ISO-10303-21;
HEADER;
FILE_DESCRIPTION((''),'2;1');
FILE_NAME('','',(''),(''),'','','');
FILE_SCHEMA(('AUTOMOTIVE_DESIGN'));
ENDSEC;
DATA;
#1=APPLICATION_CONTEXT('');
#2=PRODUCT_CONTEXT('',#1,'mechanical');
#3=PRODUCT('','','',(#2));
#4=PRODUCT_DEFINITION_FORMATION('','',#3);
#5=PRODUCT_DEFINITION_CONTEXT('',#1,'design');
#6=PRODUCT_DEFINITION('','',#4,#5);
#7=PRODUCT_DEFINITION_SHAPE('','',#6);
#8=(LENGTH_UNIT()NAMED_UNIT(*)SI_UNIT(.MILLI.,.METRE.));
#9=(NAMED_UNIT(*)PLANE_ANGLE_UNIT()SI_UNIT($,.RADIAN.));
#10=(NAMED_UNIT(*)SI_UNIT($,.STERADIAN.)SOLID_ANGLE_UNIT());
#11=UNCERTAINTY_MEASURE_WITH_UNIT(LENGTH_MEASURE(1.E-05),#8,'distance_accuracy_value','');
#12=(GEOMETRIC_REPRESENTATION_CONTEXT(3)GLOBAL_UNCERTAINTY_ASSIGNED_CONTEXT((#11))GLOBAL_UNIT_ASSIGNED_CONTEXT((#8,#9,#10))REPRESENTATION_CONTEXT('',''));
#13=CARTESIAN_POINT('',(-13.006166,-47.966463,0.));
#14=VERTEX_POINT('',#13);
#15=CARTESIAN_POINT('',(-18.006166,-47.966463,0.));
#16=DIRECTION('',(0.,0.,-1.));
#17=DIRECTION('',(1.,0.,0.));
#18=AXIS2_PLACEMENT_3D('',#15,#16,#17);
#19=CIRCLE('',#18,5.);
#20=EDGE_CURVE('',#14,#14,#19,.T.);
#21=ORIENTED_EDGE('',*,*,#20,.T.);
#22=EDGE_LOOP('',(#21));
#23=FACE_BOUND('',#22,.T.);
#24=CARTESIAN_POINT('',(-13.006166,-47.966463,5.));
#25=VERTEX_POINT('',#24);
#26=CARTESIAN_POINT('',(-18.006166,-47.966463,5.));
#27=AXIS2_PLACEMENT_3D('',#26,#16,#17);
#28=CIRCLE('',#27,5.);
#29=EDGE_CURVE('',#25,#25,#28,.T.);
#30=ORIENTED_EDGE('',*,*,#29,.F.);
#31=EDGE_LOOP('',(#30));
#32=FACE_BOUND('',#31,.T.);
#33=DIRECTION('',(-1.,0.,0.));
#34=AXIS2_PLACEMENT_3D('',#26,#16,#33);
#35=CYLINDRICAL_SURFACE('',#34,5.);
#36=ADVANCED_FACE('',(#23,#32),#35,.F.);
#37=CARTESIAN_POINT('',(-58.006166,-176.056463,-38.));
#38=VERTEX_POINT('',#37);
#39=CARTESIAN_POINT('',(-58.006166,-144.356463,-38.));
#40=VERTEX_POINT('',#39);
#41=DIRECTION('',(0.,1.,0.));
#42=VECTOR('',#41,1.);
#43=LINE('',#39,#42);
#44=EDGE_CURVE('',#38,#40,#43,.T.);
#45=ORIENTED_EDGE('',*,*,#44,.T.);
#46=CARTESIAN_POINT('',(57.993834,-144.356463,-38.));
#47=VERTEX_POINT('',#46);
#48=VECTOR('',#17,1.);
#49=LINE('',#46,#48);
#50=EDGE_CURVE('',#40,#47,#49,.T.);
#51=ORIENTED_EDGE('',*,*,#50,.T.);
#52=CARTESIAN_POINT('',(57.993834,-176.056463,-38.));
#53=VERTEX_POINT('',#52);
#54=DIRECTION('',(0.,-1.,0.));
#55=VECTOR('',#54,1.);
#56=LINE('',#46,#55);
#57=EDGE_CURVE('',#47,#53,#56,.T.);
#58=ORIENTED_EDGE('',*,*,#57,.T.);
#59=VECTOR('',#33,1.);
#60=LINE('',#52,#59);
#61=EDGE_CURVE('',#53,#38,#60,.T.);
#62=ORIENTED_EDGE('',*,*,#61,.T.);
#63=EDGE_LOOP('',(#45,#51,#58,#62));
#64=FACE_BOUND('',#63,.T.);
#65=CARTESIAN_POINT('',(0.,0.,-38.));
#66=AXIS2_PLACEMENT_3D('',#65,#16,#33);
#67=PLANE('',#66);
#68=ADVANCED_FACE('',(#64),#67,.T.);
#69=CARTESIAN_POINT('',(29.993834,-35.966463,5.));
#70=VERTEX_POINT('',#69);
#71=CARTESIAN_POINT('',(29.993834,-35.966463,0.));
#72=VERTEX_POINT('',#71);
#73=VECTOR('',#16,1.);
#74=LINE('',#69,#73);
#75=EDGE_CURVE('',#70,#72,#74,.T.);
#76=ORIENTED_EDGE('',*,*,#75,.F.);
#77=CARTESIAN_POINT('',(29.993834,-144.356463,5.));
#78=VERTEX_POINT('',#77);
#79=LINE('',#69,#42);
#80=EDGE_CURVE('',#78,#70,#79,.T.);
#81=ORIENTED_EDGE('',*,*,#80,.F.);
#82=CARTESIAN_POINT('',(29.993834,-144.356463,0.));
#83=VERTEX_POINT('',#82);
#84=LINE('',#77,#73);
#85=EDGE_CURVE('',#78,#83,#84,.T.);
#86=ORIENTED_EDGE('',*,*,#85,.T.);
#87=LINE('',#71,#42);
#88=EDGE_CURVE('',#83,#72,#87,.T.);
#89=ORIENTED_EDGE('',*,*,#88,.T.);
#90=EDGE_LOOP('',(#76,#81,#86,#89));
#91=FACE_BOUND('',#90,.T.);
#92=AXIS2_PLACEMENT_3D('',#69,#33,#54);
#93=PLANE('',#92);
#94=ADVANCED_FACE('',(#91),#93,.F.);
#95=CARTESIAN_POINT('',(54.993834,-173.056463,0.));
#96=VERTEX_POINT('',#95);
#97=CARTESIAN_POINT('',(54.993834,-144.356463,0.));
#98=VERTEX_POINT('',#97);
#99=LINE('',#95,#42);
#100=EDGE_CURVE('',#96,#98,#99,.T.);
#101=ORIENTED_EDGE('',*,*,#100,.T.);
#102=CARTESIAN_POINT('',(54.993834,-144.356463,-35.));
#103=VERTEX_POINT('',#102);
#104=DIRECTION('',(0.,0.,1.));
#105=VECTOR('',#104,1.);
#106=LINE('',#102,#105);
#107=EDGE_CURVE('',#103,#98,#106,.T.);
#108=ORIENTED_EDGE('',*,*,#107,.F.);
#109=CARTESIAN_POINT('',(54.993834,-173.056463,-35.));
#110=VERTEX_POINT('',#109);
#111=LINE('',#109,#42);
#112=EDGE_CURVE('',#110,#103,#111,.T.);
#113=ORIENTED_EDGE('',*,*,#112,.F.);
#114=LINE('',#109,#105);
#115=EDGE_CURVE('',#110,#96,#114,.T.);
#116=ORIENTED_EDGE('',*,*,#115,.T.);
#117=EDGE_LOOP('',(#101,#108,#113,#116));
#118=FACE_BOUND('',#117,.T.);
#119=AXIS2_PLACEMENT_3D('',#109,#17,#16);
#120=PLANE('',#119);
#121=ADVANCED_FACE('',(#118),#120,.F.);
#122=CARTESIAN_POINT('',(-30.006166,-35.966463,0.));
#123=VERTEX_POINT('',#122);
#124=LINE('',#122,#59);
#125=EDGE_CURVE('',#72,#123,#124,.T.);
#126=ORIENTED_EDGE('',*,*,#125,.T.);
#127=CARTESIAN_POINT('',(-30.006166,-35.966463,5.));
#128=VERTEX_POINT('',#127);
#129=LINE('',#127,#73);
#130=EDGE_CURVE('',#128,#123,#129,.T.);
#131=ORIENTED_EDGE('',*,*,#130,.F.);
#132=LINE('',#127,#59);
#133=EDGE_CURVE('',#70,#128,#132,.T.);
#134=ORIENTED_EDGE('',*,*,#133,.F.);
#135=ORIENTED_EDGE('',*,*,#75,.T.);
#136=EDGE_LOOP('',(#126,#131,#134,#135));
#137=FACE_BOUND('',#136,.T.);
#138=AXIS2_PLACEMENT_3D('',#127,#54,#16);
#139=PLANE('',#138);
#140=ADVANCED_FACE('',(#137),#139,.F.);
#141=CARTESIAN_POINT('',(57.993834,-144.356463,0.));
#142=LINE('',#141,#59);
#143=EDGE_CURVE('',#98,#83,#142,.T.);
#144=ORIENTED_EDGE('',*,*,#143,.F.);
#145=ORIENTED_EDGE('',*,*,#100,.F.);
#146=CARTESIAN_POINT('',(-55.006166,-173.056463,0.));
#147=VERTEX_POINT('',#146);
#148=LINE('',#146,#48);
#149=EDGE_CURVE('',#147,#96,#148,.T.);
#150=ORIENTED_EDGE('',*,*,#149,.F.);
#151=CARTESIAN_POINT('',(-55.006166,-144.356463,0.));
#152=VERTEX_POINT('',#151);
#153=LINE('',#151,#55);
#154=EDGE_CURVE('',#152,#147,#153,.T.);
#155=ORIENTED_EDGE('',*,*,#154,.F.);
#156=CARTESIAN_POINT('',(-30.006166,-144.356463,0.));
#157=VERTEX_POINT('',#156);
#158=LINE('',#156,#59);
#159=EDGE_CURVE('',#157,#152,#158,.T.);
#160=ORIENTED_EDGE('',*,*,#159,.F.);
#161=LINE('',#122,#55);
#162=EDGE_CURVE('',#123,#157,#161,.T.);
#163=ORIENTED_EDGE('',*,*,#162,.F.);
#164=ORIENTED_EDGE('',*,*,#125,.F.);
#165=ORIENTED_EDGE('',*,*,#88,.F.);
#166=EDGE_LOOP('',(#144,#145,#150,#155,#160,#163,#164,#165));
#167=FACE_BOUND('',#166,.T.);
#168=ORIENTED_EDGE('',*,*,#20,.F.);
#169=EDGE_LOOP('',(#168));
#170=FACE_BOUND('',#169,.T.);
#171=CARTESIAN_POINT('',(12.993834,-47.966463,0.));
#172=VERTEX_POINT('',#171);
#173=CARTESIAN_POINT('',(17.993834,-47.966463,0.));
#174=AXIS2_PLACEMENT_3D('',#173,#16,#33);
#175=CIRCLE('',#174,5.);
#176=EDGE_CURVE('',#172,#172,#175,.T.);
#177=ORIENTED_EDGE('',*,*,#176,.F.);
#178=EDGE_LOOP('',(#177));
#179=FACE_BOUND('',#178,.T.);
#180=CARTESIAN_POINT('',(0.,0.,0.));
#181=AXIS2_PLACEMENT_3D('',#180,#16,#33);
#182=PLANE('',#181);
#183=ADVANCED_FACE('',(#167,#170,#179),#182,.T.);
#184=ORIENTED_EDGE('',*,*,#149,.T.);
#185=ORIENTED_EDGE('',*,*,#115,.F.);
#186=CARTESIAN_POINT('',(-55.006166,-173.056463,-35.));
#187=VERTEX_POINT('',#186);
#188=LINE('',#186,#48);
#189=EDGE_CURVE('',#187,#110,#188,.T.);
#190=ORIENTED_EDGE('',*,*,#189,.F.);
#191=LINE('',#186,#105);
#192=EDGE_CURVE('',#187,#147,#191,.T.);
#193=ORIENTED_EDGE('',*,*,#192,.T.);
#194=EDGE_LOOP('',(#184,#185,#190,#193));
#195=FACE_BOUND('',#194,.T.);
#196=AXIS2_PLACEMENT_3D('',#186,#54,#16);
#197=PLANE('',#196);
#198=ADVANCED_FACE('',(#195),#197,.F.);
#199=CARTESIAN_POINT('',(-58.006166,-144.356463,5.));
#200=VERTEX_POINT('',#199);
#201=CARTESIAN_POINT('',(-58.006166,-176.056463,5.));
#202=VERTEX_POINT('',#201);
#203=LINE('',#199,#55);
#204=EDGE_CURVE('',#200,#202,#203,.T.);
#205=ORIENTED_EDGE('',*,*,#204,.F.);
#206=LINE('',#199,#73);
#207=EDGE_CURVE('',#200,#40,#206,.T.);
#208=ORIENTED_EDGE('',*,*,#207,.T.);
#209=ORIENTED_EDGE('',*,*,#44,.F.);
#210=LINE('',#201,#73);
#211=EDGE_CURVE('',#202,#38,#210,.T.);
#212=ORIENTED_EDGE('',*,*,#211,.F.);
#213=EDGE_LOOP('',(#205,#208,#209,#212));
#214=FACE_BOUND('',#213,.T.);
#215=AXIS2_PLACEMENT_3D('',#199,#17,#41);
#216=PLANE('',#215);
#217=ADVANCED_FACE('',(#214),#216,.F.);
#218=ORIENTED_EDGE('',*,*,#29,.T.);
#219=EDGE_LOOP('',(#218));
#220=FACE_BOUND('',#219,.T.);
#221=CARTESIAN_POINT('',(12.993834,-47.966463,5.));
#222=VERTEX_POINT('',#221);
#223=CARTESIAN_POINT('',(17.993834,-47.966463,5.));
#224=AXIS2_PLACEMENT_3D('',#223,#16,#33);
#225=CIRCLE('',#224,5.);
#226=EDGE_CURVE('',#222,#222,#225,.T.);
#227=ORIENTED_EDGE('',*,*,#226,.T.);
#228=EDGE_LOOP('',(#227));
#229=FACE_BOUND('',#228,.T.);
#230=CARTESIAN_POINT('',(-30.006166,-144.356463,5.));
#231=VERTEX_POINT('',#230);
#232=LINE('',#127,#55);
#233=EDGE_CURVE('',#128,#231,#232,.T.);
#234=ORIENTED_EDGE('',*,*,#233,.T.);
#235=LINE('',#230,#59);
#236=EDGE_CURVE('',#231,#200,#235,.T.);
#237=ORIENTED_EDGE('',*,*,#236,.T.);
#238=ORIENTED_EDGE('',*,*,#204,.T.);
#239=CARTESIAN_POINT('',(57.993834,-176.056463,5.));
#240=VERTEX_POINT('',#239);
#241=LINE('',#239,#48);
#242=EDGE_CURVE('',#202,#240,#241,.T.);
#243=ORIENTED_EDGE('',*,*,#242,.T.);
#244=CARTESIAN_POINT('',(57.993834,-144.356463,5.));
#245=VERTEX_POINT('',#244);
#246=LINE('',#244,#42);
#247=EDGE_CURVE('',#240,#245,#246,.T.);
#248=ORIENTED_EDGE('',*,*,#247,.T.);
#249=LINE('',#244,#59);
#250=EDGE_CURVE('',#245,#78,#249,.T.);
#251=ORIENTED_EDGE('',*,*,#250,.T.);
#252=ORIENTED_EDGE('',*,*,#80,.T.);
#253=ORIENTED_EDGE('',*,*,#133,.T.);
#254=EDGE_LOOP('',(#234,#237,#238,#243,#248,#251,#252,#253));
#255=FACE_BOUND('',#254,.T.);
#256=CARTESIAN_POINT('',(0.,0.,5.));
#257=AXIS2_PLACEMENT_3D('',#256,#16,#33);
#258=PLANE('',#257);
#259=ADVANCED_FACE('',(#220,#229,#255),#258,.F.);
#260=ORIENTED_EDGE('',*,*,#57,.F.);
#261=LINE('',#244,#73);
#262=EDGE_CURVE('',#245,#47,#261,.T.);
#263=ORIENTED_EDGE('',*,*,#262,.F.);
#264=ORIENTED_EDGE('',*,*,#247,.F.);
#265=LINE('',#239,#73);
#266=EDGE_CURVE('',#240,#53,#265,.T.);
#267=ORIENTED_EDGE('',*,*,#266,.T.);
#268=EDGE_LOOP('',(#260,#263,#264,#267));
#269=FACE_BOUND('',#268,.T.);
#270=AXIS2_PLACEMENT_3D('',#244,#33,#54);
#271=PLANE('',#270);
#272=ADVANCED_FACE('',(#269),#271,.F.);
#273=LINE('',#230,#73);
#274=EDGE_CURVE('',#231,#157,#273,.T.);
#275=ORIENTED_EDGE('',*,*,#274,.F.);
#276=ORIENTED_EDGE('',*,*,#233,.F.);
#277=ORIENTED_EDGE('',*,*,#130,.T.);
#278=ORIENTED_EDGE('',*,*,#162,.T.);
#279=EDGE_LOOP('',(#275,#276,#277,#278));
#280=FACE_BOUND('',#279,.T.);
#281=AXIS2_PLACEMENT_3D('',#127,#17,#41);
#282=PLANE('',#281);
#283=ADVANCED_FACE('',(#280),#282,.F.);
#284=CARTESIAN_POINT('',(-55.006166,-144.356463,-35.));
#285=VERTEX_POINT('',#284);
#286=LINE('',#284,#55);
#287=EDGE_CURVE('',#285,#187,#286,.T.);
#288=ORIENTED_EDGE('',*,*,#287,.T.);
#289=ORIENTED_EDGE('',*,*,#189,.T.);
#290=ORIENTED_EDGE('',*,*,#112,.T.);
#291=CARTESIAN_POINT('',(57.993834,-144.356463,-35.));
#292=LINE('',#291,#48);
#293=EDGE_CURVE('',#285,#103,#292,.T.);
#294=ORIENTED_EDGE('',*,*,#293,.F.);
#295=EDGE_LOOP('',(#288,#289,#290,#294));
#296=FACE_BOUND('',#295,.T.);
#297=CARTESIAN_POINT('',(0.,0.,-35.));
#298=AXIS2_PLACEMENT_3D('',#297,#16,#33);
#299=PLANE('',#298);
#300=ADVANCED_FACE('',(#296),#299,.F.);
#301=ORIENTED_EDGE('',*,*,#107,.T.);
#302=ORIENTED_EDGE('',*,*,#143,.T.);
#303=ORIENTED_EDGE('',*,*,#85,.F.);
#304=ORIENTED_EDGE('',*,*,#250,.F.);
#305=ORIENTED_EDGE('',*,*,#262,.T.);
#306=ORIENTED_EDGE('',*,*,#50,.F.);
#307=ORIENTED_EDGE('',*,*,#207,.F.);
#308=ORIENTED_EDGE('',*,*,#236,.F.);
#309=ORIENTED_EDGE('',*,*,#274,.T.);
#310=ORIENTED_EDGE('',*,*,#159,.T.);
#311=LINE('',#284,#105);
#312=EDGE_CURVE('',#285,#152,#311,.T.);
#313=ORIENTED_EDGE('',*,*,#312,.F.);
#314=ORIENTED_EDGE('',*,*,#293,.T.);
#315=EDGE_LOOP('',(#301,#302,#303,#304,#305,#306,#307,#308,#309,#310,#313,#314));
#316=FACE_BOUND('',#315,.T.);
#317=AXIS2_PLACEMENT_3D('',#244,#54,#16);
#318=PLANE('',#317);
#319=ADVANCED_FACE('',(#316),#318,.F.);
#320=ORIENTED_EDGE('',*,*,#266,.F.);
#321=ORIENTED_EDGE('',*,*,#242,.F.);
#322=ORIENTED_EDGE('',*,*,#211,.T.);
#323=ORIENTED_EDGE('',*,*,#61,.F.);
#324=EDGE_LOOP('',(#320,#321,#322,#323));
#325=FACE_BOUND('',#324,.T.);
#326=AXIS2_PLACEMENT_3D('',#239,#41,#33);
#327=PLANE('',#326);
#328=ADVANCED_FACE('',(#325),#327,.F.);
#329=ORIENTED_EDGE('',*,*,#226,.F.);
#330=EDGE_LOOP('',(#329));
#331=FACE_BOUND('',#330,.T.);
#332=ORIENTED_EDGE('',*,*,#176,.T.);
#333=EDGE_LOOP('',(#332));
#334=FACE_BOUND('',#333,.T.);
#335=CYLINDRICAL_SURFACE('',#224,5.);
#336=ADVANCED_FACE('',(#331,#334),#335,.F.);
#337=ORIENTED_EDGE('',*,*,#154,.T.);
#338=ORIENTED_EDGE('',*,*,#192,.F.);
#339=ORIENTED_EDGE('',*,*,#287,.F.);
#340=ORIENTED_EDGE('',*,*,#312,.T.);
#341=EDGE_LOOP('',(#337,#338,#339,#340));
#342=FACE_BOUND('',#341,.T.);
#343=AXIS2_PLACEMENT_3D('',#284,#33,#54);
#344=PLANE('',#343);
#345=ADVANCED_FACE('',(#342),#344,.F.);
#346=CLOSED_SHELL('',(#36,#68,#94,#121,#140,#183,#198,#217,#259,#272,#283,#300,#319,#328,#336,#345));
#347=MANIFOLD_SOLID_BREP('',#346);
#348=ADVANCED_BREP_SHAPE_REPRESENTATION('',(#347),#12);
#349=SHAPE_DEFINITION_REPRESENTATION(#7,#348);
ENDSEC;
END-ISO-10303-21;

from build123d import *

# Parameters (mm, degrees)
EXTRUDE_1_DEPTH     = 5
EXTRUDE_2_DEPTH     = 35
SKETCH_4_W          = 116
SKETCH_4_H          = 31.7
EXTRUDE_3_DEPTH     = 3
SKETCH_6_R          = 5
CUT_EXTRUDE_1_DEPTH = 190.221017262


with BuildPart() as part:
    # 草图2 → 凸台-拉伸1 (new body)
    with BuildSketch(Plane.XY):
        Polygon((-30.006166306, -35.96646266), (29.993833694, -35.96646266), (29.993833694, -144.35646266), (57.993833694, -144.35646266), (57.993833694, -176.05646266), (-58.006166306, -176.05646266), (-58.006166306, -144.35646266), (-30.006166306, -144.35646266), align=None)
    extrude(amount=EXTRUDE_1_DEPTH)

    # 草图3 → 凸台-拉伸2 (add)
    with BuildSketch(Plane(origin=(0, 0, 0), x_dir=(-1, 0, 0), z_dir=(0, 0, -1))):
        Polygon((-57.993833694, -144.35646266), (-57.993833694, -176.05646266), (58.006166306, -176.05646266), (58.006166306, -144.35646266), (55.006166306, -144.35646266), (55.006166306, -173.05646266), (-54.993833694, -173.05646266), (-54.993833694, -144.35646266), align=None)
    extrude(amount=EXTRUDE_2_DEPTH)

    # 草图4 → 凸台-拉伸3 (add)
    with BuildSketch(Plane(origin=(0, 0, -35), x_dir=(-1, 0, 0), z_dir=(0, 0, -1))):
        with Locations((0.006166306, -160.20646266)):
            Rectangle(SKETCH_4_W, SKETCH_4_H)
    extrude(amount=EXTRUDE_3_DEPTH)

    # 草图6 → 切除-拉伸1 (cut, through all)
    with BuildSketch(Plane(origin=(0, 0, 0), x_dir=(-1, 0, 0), z_dir=(0, 0, -1))):
        with Locations((-17.993833694, -47.96646266)):
            Circle(SKETCH_6_R)
        with Locations(Location((18.006166306, -47.96646266, 0), (0, 0, 180))):
            Circle(SKETCH_6_R)
    extrude(amount=-CUT_EXTRUDE_1_DEPTH, mode=Mode.SUBTRACT)


solid = part.part
